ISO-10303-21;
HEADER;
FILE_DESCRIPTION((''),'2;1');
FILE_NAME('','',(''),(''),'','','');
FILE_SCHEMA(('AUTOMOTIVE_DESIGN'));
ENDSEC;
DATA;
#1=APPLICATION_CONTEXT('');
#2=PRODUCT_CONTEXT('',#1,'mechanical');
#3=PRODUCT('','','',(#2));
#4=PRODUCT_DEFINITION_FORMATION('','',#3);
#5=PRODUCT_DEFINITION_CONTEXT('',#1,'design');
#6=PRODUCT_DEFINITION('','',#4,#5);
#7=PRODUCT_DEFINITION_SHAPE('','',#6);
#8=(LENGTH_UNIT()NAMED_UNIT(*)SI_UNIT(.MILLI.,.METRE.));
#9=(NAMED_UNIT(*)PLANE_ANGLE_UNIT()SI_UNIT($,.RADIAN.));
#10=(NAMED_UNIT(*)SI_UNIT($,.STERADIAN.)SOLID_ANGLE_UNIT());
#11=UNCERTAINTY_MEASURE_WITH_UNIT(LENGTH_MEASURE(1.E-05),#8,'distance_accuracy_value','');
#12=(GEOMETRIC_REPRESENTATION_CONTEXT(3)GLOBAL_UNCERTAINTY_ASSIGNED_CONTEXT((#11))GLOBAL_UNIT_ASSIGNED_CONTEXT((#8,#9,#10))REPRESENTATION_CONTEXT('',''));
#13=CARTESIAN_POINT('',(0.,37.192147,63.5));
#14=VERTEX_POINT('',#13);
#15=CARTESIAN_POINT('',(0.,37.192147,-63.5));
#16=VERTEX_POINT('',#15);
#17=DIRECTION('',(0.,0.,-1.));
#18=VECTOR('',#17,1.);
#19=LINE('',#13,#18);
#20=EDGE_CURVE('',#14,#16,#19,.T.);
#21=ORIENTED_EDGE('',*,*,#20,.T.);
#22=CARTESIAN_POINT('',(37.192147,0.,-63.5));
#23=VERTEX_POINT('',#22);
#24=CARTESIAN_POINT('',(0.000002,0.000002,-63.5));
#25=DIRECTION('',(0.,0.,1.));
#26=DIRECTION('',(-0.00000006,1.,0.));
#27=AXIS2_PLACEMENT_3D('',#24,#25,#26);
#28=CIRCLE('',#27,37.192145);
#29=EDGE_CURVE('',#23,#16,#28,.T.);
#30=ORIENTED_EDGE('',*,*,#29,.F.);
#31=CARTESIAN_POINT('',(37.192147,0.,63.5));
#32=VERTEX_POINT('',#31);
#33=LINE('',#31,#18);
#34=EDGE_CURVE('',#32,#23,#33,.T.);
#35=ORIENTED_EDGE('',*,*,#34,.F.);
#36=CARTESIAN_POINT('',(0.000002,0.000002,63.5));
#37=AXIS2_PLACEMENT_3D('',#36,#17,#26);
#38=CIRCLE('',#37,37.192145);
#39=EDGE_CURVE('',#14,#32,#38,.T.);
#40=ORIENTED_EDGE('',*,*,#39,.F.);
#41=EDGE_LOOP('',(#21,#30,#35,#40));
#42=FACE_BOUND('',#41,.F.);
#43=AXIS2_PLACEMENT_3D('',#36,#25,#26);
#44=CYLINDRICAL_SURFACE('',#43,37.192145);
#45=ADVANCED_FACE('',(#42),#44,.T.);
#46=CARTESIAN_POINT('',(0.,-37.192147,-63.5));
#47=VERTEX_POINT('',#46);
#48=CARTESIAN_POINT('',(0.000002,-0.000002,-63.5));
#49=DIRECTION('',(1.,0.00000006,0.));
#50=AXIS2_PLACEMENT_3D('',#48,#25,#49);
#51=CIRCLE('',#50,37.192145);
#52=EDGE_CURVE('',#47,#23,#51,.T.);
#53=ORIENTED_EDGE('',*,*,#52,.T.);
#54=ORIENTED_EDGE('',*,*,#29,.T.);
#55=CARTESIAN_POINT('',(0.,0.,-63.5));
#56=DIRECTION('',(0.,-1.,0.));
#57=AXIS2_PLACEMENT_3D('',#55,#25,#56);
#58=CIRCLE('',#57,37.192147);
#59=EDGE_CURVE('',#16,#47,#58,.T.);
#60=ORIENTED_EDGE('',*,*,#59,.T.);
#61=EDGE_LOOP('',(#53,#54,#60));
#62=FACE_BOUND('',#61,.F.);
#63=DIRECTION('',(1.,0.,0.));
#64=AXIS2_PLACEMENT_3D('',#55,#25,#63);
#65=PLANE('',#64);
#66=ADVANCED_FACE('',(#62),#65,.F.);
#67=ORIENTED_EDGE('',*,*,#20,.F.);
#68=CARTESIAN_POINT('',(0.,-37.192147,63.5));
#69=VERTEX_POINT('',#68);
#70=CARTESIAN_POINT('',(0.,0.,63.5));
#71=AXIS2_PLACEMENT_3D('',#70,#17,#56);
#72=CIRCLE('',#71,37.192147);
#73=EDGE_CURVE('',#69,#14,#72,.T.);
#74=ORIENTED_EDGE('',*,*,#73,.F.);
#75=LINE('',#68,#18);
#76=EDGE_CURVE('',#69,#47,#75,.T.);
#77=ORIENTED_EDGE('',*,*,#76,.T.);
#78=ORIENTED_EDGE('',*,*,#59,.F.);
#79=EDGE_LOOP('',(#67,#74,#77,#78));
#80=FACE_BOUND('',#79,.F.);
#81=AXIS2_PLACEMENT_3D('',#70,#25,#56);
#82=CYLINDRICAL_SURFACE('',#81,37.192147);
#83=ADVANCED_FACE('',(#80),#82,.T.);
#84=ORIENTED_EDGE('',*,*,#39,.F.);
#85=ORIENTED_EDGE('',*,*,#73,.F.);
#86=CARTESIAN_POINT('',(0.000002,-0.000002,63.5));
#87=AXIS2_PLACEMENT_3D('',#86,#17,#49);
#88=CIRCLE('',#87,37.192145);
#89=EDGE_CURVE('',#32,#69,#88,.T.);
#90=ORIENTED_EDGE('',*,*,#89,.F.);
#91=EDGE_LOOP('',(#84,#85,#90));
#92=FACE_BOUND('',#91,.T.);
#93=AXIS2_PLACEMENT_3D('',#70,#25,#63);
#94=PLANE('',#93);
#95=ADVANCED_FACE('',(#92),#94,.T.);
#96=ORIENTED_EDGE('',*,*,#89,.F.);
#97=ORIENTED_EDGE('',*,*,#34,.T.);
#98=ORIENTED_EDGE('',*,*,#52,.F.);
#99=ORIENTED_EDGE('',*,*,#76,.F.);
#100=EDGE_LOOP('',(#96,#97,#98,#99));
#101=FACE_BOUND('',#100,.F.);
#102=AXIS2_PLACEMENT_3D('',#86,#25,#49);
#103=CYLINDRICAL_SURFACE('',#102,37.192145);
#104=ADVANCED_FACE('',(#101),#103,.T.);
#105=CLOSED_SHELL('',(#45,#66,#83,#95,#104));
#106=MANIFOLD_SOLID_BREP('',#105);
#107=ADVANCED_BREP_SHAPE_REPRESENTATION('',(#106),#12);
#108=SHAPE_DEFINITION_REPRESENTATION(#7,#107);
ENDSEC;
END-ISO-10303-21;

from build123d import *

# Parameters (mm, degrees)
F0_W     = 107.82598
F0_H     = 74.384294
F1_DEPTH = 63.5
F3_DEPTH = 127.001


with BuildPart() as f1:
    # F0 (on Top) → F1 (new body, symmetric)
    with BuildSketch(Plane.XY):
        Rectangle(F0_W, F0_H)
    extrude(amount=F1_DEPTH, both=True)

    # F2 (on face) → F3 (cut, through all)
    with BuildSketch(Plane.XY.offset(63.5)):
        with BuildLine():
            ThreePointArc((0, -37.192147), (-37.192147, 0), (0, 37.192147))
            Line((0, 37.192147), (-53.91299, 37.192147))
            Line((-53.91299, 37.192147), (-53.91299, -37.192147))
            Line((-53.91299, -37.192147), (0, -37.192147))
        make_face()
        with BuildLine():
            ThreePointArc((0, 37.192147), (26.29882, 26.29882), (37.192147, 0))
            ThreePointArc((37.192147, 0), (26.29882, -26.29882), (0, -37.192147))
            Line((0, -37.192147), (53.91299, -37.192147))
            Line((53.91299, -37.192147), (53.91299, 37.192147))
            Line((53.91299, 37.192147), (0, 37.192147))
        make_face()
    extrude(amount=-F3_DEPTH, mode=Mode.SUBTRACT)


solid = f1.part
